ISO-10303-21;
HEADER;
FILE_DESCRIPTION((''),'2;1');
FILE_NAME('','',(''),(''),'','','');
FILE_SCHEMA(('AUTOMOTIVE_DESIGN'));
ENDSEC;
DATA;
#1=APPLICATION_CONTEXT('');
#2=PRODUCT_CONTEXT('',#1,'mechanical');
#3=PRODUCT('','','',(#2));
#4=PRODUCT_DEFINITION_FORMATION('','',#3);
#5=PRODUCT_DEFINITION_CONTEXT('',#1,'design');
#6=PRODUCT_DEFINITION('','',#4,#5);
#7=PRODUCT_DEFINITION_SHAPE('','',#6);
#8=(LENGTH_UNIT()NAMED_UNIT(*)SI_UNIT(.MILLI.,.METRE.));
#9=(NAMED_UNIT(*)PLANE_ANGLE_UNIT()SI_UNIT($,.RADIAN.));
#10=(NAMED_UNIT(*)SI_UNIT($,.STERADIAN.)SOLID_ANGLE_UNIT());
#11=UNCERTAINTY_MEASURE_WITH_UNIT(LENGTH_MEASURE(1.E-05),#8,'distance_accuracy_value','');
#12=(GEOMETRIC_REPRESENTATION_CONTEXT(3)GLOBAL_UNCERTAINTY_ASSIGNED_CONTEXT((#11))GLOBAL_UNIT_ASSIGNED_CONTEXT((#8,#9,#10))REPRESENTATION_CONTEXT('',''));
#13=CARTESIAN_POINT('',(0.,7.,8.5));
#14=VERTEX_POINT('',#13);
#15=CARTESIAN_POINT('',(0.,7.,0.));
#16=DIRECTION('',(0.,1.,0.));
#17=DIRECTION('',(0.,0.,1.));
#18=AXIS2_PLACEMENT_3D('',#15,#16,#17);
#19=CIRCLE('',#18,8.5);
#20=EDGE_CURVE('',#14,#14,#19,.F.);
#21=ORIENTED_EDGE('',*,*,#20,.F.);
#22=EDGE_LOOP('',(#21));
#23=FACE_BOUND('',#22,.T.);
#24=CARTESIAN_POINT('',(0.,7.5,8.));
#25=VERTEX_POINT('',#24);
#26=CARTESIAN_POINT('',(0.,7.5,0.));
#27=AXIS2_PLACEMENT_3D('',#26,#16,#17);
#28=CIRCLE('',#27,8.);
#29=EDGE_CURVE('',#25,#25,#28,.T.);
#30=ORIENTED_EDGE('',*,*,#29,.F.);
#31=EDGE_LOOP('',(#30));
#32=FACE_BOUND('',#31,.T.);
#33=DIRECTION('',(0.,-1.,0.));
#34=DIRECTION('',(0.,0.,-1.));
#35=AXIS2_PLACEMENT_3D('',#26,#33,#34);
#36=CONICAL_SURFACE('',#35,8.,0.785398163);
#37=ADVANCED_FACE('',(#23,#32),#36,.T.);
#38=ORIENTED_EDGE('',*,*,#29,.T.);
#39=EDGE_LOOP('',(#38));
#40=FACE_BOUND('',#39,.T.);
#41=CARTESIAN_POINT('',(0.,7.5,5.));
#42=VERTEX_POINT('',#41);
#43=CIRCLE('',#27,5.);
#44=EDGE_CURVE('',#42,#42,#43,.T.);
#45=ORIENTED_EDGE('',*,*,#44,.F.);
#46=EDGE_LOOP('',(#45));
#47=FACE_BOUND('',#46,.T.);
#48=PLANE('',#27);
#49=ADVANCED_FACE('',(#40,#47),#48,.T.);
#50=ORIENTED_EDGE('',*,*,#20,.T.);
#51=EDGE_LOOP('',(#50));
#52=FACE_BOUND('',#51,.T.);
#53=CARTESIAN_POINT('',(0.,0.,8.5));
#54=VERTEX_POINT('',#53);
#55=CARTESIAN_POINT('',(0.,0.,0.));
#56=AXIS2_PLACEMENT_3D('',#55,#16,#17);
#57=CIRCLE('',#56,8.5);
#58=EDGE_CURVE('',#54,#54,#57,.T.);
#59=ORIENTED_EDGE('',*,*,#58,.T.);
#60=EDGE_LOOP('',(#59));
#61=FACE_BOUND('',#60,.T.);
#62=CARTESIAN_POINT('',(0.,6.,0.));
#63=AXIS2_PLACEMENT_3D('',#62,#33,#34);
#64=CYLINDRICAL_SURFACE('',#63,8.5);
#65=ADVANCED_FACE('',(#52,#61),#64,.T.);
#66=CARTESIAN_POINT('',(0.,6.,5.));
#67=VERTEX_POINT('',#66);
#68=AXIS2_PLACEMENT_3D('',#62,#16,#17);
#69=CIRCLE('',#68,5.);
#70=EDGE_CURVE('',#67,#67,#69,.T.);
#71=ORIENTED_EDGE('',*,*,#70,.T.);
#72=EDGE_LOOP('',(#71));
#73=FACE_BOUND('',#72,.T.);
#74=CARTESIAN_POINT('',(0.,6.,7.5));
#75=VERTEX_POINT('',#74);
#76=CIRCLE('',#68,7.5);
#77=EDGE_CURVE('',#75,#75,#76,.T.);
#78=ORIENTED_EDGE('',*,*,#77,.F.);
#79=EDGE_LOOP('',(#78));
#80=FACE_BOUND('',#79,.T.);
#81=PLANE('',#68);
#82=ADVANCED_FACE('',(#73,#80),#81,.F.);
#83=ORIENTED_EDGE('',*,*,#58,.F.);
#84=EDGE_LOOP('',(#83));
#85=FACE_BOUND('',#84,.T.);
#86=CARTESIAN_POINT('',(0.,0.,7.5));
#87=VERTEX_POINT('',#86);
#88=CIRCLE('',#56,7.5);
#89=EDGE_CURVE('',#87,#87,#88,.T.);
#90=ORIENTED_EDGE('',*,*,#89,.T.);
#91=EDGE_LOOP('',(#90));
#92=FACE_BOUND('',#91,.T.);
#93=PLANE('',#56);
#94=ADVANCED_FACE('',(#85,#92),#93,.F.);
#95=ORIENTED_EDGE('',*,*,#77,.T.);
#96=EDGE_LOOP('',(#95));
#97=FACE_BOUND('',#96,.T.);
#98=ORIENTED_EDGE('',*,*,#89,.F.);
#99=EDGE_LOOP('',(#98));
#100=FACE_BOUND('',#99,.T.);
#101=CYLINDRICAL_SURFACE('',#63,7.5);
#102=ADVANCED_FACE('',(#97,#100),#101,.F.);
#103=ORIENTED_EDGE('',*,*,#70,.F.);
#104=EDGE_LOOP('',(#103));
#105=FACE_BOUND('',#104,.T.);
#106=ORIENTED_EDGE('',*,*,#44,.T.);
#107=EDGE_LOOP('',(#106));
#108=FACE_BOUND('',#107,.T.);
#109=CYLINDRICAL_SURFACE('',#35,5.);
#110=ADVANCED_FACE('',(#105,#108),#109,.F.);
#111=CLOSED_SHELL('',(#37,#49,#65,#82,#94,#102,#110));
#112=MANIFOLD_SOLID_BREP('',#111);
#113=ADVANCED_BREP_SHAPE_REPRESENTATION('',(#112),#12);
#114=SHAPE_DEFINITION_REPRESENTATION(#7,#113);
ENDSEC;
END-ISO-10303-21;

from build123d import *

# Parameters (mm, degrees)
SKETCH1_R           = 8.5
SKETCH1_R_2         = 7.5
BOSS_EXTRUDE1_DEPTH = 6
SKETCH3_R           = 8.5
SKETCH3_R_2         = 5
BOSS_EXTRUDE2_DEPTH = 1.5
CHAMFER1_SIZE       = 0.5


with BuildPart() as part:
    # Sketch1 → Boss-Extrude1 (new body)
    with BuildSketch(Plane(origin=(0, 0, 0), x_dir=(1, 0, 0), z_dir=(0, 1, 0))):
        Circle(SKETCH1_R)
        Circle(SKETCH1_R_2, mode=Mode.SUBTRACT)
    extrude(amount=BOSS_EXTRUDE1_DEPTH)

    # Sketch3 → Boss-Extrude2 (add)
    with BuildSketch(Plane(origin=(0, 6, 0), x_dir=(1, 0, 0), z_dir=(0, 1, 0))):
        Circle(SKETCH3_R)
        Circle(SKETCH3_R_2, mode=Mode.SUBTRACT)
    extrude(amount=BOSS_EXTRUDE2_DEPTH)

    # Chamfer1
    chamfer1_edges = [part.edges().sort_by_distance(p)[0] for p in [
        (-8.5, 7.5, 0),
    ]]
    chamfer(chamfer1_edges, length=CHAMFER1_SIZE)


solid = part.part
